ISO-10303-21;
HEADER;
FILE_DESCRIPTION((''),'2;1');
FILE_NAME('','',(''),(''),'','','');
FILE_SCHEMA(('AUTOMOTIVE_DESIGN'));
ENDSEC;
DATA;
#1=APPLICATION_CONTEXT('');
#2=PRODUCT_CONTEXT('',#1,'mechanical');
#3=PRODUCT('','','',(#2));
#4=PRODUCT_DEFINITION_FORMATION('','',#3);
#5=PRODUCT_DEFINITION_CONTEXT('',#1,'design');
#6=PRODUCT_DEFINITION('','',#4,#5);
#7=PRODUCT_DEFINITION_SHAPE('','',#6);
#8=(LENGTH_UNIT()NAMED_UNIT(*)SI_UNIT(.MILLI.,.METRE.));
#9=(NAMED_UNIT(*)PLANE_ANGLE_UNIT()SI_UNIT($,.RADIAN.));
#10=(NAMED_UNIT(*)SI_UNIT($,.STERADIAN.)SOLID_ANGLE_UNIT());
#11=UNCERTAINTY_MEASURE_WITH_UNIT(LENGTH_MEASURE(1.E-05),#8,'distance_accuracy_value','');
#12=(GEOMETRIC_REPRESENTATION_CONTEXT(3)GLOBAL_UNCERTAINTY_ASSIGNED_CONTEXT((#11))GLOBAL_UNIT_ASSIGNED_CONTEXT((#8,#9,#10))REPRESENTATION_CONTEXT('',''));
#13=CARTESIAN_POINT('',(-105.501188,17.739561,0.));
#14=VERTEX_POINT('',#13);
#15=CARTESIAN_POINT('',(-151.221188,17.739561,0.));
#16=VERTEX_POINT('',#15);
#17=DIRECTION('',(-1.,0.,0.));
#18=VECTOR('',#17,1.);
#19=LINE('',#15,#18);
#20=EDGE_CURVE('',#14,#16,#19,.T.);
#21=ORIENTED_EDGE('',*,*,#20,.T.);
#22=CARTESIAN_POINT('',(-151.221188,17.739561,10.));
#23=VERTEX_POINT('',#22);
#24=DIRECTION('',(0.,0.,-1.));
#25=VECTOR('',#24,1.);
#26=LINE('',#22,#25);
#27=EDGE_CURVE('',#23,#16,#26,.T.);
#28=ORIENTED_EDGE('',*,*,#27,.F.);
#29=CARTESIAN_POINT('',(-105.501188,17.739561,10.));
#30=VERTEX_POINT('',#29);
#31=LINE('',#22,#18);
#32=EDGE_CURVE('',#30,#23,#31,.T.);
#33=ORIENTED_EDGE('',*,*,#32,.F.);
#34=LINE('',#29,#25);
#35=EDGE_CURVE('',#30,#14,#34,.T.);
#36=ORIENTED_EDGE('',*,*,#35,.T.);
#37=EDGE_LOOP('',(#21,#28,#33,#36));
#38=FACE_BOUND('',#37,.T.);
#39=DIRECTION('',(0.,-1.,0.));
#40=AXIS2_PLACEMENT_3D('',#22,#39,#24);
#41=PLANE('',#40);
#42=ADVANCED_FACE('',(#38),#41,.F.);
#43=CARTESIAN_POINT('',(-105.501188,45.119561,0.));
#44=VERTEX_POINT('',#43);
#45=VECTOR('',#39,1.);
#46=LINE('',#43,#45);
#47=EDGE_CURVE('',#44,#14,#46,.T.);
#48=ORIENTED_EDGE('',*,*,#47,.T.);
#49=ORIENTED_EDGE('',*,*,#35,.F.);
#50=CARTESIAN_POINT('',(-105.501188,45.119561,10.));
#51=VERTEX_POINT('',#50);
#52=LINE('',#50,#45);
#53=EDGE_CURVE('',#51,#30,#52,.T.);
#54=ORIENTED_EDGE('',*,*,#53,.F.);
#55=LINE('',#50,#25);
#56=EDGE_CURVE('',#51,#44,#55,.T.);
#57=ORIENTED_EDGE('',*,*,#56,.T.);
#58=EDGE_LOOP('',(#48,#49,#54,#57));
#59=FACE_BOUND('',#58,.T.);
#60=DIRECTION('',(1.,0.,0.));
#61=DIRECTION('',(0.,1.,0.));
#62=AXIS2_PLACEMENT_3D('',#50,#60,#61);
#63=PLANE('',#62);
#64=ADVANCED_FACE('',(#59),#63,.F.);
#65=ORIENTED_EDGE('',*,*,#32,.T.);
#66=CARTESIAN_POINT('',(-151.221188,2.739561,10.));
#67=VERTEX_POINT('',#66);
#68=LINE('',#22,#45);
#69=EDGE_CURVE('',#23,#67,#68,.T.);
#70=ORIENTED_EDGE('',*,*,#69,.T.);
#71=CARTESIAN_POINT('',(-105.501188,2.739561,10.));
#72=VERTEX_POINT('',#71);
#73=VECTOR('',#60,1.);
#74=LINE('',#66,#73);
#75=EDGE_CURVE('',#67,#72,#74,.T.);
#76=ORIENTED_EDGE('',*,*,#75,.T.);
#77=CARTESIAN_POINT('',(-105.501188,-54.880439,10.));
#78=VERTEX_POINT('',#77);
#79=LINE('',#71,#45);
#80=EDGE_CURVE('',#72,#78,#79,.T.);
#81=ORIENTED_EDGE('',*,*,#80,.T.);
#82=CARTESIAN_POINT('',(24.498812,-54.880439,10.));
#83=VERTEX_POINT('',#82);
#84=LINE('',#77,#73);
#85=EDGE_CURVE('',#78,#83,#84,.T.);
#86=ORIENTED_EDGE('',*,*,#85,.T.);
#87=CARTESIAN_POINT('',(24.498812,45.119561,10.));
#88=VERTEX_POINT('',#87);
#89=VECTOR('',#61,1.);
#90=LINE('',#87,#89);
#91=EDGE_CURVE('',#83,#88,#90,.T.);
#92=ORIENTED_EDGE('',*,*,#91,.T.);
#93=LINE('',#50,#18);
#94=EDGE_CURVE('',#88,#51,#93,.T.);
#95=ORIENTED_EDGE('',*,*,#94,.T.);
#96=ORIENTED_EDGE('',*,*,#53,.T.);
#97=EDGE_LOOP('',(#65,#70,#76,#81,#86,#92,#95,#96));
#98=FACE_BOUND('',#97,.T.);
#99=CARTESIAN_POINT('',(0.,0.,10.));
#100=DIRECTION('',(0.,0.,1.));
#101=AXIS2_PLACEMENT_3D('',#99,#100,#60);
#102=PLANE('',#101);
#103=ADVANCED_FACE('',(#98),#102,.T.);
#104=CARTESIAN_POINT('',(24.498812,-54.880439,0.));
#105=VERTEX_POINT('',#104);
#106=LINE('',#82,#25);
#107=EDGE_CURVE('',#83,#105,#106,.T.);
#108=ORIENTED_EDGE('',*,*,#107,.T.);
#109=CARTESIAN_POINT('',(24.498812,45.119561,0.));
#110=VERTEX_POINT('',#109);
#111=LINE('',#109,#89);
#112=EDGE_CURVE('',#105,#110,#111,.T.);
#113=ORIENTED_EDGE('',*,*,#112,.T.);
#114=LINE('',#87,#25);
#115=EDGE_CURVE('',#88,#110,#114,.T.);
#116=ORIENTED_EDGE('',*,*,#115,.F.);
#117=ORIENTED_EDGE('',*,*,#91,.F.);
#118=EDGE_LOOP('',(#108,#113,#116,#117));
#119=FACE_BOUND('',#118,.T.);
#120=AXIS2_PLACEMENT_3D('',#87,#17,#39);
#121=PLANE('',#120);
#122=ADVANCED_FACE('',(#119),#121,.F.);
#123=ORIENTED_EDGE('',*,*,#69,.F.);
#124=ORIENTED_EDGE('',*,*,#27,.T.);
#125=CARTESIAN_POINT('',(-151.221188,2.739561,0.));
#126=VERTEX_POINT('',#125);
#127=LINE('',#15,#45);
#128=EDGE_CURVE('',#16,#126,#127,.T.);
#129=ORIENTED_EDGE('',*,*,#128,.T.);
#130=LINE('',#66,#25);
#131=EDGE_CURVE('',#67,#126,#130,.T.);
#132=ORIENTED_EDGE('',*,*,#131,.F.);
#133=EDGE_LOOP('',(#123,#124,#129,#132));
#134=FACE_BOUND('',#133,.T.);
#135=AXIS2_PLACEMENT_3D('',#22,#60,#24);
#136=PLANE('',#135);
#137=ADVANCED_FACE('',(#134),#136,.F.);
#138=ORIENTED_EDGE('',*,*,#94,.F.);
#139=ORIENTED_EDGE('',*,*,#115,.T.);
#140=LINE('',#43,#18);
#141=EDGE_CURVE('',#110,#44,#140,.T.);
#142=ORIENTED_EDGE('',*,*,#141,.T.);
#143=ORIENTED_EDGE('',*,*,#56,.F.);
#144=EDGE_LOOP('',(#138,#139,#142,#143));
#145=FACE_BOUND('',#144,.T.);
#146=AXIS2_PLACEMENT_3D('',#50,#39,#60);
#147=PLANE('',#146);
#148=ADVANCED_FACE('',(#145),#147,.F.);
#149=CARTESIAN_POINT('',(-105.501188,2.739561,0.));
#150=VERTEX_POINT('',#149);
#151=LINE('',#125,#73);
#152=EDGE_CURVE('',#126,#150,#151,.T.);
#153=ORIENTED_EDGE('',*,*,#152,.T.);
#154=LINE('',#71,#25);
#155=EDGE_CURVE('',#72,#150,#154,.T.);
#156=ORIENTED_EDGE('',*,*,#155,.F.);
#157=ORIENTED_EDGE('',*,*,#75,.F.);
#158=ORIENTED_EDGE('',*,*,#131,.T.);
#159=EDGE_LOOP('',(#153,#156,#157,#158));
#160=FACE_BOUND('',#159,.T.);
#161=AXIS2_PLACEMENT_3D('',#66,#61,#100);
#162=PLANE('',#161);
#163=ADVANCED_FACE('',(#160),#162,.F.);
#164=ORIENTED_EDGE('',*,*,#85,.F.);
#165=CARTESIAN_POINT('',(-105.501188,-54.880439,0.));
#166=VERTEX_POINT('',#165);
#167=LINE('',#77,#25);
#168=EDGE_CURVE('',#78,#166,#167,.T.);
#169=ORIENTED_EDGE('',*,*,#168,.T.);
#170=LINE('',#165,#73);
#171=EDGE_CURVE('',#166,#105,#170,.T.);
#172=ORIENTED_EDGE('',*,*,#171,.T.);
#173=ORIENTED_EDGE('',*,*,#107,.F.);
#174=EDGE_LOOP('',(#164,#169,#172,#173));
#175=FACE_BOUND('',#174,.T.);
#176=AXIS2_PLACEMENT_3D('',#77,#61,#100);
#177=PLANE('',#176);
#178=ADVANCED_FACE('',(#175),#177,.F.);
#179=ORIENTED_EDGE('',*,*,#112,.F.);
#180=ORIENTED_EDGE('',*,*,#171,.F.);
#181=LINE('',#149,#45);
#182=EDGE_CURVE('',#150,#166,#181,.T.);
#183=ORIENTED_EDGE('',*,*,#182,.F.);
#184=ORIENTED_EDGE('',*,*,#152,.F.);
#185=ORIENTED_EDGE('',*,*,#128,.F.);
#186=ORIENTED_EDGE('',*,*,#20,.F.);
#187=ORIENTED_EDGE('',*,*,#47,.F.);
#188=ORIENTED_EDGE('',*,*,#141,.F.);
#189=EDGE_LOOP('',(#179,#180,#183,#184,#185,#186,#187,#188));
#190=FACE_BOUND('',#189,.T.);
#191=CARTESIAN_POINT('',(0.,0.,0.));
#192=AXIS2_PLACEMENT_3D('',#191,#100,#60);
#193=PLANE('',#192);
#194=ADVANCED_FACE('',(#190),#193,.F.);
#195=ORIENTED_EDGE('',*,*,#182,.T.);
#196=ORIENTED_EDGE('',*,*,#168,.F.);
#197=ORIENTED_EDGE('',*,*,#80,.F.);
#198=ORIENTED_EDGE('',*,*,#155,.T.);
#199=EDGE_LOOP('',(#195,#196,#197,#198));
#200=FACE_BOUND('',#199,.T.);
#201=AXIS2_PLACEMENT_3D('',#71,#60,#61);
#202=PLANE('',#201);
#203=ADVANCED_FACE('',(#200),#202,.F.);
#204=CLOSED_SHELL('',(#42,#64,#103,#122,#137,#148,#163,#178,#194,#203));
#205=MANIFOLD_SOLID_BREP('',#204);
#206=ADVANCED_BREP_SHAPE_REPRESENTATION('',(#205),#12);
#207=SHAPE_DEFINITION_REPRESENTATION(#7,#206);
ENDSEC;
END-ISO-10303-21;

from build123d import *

# Parameters (mm, degrees)
BOSS_EXTRUDE1_DEPTH = 10


with BuildPart() as part:
    # Sketch1 → Boss-Extrude1 (new body)
    with BuildSketch(Plane.XY):
        Polygon((-105.501188117, 45.119560873), (24.498811883, 45.119560873), (24.498811883, -54.880439127), (-105.501188117, -54.880439127), (-105.501188117, 2.739560873), (-151.221188117, 2.739560873), (-151.221188117, 17.739560873), (-105.501188117, 17.739560873), align=None)
    extrude(amount=BOSS_EXTRUDE1_DEPTH)


solid = part.part
